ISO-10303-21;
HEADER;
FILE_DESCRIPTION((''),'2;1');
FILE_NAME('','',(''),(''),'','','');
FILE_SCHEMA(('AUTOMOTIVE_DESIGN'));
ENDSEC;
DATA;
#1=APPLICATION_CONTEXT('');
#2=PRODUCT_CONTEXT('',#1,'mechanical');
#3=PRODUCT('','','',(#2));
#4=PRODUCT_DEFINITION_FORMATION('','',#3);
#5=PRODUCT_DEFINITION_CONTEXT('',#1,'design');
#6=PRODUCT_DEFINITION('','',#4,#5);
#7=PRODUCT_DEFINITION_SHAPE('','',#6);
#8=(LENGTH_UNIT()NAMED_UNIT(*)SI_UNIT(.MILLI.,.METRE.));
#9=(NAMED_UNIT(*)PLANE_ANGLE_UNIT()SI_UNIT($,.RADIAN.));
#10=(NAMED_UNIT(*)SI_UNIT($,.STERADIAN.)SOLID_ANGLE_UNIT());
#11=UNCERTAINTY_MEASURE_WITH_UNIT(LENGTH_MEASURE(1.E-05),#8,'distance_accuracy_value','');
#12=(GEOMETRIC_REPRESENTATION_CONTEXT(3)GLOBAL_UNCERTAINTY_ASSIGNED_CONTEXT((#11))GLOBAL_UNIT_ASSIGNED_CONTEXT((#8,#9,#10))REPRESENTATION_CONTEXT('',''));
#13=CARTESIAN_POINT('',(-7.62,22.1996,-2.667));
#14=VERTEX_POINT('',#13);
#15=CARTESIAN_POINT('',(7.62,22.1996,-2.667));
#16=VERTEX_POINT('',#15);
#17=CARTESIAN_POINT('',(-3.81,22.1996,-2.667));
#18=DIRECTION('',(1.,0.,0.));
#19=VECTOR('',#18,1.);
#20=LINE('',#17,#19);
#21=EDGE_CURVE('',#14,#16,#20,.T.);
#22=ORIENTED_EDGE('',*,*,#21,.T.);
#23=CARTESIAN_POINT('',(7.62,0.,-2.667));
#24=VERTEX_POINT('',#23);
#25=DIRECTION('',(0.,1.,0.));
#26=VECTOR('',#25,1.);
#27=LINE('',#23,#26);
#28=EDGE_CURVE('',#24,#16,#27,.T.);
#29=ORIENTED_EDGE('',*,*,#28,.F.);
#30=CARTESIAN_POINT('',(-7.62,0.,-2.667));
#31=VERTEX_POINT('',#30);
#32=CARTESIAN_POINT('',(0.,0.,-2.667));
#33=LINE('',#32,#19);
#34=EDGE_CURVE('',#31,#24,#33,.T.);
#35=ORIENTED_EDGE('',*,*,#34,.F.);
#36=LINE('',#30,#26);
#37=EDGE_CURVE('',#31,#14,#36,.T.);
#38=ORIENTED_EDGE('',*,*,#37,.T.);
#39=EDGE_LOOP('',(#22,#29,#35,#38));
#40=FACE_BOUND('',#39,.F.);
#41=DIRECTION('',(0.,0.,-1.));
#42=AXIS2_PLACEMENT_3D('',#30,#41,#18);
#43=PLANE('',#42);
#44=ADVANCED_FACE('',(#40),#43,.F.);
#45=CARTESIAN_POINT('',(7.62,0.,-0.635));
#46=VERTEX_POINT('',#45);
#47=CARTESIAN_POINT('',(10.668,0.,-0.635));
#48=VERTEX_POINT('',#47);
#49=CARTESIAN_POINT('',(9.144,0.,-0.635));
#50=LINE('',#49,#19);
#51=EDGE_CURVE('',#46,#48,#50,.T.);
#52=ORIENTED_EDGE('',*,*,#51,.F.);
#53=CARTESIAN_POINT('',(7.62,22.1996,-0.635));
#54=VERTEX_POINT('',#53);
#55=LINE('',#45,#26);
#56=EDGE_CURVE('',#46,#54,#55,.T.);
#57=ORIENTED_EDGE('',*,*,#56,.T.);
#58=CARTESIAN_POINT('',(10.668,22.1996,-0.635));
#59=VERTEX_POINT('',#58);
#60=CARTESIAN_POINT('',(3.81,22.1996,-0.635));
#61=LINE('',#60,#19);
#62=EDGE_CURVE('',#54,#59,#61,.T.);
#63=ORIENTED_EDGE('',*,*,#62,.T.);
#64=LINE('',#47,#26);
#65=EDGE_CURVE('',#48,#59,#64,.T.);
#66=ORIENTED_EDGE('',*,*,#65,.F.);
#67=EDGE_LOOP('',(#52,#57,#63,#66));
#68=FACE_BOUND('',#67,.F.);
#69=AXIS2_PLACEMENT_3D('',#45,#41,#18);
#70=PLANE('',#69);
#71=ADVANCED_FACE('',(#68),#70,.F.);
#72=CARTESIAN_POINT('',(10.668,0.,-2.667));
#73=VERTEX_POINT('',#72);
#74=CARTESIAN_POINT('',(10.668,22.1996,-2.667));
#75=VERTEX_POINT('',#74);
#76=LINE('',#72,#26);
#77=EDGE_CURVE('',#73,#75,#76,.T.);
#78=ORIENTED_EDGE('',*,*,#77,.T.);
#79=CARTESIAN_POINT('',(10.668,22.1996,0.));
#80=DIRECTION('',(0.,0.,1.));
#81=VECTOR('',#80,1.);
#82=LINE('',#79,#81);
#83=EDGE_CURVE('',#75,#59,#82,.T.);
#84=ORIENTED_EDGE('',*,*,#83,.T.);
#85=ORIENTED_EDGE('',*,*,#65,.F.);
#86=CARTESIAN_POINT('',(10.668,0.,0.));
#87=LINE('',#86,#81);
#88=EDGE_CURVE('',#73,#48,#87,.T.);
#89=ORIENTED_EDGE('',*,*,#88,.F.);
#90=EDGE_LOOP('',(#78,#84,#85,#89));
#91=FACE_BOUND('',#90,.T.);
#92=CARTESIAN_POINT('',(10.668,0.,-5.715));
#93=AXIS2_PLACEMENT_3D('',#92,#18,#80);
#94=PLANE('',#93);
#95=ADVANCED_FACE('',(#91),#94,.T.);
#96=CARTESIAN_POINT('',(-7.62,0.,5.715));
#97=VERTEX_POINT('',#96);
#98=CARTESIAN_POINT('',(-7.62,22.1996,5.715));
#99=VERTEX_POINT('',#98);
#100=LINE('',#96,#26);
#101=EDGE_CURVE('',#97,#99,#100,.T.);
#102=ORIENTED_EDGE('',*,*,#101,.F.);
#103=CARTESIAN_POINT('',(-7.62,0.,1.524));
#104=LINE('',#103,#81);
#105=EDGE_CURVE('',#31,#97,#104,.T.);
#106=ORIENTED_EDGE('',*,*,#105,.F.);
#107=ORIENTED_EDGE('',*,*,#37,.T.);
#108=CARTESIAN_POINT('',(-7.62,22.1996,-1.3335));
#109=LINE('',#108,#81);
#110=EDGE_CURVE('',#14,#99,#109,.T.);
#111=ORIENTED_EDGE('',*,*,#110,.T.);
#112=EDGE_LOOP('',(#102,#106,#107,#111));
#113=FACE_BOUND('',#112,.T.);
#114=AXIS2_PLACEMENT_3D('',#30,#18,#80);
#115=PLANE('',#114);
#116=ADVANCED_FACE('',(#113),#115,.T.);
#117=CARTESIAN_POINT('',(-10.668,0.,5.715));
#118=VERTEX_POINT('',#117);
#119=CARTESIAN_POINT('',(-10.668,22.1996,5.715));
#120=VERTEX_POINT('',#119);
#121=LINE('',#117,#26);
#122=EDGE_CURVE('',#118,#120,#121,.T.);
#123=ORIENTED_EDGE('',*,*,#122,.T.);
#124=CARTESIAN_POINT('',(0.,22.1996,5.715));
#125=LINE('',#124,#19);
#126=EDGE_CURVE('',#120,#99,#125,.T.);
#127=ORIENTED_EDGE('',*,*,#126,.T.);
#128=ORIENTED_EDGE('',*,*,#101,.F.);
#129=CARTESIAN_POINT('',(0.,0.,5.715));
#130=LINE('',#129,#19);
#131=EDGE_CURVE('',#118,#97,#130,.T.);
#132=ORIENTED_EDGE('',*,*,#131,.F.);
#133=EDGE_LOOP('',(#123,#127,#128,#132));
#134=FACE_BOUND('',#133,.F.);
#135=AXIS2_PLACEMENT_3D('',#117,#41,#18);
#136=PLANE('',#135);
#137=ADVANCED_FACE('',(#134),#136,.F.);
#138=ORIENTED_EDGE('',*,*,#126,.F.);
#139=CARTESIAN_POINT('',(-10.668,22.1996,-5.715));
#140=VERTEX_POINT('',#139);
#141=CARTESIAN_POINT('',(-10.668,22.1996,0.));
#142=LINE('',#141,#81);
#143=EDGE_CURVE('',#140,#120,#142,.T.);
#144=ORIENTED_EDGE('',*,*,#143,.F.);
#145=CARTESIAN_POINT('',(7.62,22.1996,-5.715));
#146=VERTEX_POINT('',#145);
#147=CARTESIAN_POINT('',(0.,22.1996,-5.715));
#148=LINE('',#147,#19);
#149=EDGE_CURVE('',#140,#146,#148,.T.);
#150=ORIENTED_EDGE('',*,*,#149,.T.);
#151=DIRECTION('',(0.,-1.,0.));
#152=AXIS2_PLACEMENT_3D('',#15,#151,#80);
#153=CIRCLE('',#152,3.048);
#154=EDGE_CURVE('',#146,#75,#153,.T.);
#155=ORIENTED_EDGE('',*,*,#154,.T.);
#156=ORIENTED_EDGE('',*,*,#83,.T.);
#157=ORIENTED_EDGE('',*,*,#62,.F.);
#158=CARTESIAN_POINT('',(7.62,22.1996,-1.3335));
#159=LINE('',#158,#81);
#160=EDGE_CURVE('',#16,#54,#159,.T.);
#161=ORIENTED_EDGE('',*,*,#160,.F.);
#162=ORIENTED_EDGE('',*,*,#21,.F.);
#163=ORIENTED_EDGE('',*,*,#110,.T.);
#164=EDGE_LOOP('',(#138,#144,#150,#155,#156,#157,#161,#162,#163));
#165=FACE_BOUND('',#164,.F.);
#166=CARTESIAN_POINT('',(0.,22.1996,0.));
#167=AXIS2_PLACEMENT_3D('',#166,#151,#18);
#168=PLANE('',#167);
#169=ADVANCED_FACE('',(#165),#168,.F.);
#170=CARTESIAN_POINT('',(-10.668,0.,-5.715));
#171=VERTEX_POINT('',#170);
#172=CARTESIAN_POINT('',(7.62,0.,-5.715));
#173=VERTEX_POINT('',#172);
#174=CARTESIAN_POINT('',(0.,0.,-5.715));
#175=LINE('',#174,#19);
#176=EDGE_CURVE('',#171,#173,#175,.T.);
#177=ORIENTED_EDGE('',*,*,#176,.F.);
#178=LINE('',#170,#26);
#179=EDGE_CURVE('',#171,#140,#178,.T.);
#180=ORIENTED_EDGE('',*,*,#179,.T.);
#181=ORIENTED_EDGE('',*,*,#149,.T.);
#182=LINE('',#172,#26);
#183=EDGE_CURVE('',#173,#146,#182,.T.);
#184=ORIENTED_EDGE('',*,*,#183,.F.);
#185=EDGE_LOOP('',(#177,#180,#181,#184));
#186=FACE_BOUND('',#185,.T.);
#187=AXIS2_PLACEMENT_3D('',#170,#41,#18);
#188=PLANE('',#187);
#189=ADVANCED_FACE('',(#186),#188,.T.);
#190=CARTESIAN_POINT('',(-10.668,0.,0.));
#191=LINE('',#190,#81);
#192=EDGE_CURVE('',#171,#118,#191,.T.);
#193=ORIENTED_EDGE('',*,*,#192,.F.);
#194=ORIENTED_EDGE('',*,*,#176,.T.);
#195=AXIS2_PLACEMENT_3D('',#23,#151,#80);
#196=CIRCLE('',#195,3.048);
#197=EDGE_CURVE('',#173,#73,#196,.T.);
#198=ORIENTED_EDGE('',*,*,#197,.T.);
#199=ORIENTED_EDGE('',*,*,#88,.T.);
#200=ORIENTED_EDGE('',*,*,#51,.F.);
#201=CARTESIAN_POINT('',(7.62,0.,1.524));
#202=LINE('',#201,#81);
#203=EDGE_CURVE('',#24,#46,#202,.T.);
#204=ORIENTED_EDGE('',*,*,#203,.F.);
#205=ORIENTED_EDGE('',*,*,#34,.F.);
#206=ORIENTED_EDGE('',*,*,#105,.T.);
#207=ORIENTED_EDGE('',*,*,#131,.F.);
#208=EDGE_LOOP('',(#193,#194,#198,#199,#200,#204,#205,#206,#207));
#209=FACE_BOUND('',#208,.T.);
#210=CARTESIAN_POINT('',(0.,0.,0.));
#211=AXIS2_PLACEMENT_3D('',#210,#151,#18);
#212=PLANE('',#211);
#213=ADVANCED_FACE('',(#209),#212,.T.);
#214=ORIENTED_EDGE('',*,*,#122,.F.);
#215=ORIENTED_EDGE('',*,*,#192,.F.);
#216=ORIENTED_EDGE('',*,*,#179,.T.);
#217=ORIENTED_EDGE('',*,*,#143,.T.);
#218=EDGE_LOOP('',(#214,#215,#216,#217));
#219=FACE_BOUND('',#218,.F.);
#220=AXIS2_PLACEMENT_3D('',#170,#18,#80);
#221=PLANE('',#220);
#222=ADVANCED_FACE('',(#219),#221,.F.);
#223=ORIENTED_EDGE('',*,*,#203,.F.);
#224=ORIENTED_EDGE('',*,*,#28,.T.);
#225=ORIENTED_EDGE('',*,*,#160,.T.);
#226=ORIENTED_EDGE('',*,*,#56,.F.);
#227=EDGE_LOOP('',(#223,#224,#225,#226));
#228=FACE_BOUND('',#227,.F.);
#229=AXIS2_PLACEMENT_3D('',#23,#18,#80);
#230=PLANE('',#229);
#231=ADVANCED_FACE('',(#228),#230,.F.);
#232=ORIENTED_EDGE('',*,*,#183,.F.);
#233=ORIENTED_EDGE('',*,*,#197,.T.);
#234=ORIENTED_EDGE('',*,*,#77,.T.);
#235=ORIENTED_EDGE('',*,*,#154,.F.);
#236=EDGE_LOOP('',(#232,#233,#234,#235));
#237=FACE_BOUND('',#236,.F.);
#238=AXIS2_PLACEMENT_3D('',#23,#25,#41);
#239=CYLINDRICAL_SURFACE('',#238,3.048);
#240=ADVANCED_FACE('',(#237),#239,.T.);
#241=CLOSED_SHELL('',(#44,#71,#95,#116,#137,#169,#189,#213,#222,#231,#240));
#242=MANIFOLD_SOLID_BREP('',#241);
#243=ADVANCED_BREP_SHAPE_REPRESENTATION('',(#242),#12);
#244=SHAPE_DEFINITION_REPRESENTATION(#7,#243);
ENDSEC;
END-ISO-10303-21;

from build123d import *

# Parameters (mm, degrees)
F0_W     = 21.336
F0_H     = 11.43
F1_DEPTH = 22.1996
F2_W     = 15.24
F2_H     = 8.382
F3_DEPTH = 25.4
F4_W     = 3.048
F4_H     = 6.35
F5_DEPTH = 25.4
F6_R     = 3.048


with BuildPart() as f1:
    # F0 (on Front) → F1 (new body)
    with BuildSketch(Plane.XZ):
        Rectangle(F0_W, F0_H)
    extrude(amount=-F1_DEPTH)

    # F2 (on face) → F3 (cut)
    with BuildSketch(Plane.XZ):
        with Locations((0, 1.524)):
            Rectangle(F2_W, F2_H)
    extrude(amount=-F3_DEPTH, mode=Mode.SUBTRACT)

    # F4 (on face) → F5 (cut)
    with BuildSketch(Plane.XZ):
        with Locations((9.144, 2.54)):
            Rectangle(F4_W, F4_H)
    extrude(amount=-F5_DEPTH, mode=Mode.SUBTRACT)

    # F6
    f6_edges = [f1.edges().sort_by_distance(p)[0] for p in [
        (10.668, 11.0998, -5.715),
    ]]
    fillet(f6_edges, radius=F6_R)


solid = f1.part
